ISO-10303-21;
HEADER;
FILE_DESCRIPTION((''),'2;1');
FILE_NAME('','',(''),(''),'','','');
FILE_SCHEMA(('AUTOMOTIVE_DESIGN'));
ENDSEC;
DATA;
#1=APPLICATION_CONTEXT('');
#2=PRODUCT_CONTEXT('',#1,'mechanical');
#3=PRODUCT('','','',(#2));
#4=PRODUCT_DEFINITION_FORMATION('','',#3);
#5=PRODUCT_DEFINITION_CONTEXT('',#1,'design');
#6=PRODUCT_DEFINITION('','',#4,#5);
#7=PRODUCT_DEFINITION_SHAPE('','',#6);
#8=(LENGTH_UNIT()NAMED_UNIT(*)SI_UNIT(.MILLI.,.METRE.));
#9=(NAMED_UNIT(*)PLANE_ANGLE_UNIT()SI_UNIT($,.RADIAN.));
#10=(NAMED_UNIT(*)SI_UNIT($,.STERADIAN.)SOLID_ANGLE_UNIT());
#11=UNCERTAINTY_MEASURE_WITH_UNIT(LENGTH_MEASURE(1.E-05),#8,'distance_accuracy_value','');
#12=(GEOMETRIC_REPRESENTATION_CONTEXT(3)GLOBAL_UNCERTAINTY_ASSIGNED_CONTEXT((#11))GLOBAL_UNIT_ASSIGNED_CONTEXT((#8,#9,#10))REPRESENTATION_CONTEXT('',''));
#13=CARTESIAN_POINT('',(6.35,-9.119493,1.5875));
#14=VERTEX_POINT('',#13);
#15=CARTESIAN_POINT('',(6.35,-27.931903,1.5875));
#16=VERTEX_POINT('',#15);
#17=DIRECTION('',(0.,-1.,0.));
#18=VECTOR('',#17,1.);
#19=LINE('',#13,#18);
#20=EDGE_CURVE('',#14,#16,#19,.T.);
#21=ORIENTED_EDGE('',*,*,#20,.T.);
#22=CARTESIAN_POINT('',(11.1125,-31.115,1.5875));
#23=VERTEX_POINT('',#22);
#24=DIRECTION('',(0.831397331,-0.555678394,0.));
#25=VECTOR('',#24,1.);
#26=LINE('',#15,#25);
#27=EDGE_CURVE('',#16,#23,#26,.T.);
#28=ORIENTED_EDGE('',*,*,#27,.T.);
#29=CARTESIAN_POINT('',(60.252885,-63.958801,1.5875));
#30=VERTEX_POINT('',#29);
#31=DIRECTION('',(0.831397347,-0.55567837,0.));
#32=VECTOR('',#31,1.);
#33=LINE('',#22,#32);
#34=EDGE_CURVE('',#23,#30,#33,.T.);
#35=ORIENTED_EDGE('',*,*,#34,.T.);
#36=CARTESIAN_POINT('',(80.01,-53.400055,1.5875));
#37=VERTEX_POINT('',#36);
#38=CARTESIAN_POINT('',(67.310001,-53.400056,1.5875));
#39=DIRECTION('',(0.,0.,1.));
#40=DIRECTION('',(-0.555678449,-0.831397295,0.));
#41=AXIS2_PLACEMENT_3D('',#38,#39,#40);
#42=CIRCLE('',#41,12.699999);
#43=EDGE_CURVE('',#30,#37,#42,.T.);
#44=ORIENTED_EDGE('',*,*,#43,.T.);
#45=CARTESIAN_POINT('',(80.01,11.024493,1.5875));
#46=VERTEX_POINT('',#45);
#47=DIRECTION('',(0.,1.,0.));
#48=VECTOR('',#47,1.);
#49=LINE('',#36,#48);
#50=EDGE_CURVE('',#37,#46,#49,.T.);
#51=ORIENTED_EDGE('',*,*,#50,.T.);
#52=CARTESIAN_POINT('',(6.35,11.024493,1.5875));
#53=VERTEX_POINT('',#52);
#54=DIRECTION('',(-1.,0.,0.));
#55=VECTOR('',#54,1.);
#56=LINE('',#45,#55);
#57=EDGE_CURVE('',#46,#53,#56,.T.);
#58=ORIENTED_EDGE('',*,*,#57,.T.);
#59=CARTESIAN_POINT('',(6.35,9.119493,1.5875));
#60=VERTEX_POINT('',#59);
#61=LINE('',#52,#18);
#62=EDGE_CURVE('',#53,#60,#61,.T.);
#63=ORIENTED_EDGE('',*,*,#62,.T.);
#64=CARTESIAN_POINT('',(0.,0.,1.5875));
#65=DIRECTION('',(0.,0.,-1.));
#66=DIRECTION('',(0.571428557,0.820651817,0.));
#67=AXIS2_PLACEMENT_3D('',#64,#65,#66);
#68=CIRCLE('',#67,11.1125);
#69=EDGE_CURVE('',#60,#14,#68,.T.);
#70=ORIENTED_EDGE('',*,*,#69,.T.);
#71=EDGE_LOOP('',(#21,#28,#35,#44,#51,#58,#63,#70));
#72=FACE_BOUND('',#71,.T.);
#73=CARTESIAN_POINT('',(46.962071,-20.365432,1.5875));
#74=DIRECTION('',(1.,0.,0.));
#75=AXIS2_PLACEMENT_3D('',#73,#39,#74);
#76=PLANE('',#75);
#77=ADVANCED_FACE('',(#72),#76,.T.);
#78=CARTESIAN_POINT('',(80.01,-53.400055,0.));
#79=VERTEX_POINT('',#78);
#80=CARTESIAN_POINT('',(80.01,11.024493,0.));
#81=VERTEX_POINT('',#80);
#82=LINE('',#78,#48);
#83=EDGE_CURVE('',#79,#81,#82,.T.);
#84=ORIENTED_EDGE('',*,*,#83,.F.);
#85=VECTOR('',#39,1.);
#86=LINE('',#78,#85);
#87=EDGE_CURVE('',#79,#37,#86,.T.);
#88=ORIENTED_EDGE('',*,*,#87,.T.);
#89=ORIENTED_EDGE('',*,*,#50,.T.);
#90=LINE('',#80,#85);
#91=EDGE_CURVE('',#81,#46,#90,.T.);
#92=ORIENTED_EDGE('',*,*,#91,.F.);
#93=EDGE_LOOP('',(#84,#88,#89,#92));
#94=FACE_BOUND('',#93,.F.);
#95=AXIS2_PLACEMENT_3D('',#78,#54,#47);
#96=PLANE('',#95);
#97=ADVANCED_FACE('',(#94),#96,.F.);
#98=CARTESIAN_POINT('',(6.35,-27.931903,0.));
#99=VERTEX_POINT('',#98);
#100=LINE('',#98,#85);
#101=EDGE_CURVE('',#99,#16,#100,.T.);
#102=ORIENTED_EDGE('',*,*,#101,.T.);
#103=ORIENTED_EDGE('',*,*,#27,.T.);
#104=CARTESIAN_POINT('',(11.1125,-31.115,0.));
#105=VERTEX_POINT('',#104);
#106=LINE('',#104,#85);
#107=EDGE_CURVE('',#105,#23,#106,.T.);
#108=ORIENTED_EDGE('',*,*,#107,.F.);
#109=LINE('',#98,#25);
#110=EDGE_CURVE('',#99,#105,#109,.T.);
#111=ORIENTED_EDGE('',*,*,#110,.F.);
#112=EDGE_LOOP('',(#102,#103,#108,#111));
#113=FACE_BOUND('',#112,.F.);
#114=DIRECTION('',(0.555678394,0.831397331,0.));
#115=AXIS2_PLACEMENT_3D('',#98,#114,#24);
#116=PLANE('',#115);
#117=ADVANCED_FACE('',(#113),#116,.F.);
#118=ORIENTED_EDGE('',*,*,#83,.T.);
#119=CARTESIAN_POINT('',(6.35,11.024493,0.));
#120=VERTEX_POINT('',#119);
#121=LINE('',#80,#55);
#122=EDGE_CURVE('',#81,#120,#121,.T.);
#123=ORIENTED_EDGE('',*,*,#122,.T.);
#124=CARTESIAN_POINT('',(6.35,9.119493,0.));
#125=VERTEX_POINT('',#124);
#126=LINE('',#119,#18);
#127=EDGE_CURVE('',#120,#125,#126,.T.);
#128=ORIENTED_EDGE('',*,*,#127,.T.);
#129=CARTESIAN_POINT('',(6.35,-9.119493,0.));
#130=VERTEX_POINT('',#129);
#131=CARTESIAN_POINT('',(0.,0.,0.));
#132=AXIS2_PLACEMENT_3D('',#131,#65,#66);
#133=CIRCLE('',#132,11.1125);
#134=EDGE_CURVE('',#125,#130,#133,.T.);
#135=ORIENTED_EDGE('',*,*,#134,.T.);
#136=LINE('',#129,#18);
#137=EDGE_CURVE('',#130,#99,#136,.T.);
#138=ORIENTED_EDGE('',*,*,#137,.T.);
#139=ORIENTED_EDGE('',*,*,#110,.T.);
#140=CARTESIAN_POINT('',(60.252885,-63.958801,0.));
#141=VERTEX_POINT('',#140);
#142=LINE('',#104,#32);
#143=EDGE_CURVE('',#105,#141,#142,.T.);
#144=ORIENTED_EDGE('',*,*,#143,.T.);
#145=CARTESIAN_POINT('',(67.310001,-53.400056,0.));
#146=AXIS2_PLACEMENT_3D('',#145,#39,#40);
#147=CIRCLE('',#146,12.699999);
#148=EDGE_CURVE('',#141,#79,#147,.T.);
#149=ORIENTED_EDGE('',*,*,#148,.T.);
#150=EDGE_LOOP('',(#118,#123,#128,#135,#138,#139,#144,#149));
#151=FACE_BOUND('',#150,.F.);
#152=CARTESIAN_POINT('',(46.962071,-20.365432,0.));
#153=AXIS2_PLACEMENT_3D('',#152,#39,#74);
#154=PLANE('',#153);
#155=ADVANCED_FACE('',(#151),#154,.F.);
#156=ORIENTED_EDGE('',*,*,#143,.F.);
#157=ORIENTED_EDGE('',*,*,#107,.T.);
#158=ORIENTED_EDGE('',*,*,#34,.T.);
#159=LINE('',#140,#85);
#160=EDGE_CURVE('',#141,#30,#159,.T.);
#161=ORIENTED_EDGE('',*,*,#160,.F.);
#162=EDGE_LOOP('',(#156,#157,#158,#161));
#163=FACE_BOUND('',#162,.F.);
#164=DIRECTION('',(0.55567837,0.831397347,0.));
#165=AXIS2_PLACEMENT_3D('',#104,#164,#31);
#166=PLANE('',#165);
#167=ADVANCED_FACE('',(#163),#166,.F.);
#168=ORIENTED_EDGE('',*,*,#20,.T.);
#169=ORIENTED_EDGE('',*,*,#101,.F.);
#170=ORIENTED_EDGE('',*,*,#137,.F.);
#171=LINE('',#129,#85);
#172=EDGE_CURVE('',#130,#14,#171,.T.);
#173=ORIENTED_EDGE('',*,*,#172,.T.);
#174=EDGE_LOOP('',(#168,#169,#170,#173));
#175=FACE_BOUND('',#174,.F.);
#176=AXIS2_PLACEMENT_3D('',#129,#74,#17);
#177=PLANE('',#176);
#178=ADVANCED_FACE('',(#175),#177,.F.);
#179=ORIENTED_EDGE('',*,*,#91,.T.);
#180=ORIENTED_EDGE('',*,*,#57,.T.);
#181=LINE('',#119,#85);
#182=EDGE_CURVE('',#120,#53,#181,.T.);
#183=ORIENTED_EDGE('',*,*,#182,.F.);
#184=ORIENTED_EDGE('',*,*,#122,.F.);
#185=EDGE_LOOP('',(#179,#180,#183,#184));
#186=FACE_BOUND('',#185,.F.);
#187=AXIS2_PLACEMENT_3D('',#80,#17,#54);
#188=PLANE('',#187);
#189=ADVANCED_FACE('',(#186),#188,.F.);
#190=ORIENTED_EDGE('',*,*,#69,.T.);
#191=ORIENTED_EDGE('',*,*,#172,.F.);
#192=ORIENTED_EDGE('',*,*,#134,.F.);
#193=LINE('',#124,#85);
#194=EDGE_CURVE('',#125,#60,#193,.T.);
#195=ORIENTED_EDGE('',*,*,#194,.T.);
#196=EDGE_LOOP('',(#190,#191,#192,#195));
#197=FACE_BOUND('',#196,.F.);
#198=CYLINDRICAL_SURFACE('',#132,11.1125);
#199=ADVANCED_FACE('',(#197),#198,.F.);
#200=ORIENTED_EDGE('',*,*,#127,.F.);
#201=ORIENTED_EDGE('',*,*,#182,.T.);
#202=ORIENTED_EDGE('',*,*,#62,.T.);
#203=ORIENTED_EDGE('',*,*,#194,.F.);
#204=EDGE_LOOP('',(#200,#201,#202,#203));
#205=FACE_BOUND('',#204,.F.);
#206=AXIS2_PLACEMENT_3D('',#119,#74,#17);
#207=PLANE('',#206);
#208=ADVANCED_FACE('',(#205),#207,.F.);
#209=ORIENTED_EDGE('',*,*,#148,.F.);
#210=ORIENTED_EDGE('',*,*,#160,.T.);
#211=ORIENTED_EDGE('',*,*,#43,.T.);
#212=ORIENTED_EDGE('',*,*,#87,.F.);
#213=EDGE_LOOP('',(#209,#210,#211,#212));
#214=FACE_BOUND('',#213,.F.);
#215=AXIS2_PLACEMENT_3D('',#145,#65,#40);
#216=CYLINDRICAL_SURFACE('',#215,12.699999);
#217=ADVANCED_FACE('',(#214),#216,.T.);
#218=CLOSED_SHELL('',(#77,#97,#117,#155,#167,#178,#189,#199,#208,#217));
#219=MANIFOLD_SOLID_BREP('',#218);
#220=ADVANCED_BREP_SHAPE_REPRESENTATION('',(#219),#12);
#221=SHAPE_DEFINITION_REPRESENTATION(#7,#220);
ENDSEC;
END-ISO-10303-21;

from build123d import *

# Parameters (mm, degrees)
F1_DEPTH = 1.5875


with BuildPart() as f1:
    # F0 (on Top) → F1 (new body)
    with BuildSketch(Plane.XY):
        with BuildLine():
            Line((6.35, 11.024493), (6.35, 9.119493))
            ThreePointArc((6.35, 9.119493), (11.1125, 0), (6.35, -9.119493))
            Line((6.35, -9.119493), (6.35, -27.931903))
            Line((6.35, -27.931903), (11.1125, -31.115))
            Line((11.1125, -31.115), (60.252885, -63.958801))
            ThreePointArc((60.252885, -63.958801), (73.29601, -64.600845), (80.01, -53.400055))
            Line((80.01, -53.400055), (80.01, 11.024493))
            Line((80.01, 11.024493), (6.35, 11.024493))
        make_face()
    extrude(amount=F1_DEPTH)


solid = f1.part
